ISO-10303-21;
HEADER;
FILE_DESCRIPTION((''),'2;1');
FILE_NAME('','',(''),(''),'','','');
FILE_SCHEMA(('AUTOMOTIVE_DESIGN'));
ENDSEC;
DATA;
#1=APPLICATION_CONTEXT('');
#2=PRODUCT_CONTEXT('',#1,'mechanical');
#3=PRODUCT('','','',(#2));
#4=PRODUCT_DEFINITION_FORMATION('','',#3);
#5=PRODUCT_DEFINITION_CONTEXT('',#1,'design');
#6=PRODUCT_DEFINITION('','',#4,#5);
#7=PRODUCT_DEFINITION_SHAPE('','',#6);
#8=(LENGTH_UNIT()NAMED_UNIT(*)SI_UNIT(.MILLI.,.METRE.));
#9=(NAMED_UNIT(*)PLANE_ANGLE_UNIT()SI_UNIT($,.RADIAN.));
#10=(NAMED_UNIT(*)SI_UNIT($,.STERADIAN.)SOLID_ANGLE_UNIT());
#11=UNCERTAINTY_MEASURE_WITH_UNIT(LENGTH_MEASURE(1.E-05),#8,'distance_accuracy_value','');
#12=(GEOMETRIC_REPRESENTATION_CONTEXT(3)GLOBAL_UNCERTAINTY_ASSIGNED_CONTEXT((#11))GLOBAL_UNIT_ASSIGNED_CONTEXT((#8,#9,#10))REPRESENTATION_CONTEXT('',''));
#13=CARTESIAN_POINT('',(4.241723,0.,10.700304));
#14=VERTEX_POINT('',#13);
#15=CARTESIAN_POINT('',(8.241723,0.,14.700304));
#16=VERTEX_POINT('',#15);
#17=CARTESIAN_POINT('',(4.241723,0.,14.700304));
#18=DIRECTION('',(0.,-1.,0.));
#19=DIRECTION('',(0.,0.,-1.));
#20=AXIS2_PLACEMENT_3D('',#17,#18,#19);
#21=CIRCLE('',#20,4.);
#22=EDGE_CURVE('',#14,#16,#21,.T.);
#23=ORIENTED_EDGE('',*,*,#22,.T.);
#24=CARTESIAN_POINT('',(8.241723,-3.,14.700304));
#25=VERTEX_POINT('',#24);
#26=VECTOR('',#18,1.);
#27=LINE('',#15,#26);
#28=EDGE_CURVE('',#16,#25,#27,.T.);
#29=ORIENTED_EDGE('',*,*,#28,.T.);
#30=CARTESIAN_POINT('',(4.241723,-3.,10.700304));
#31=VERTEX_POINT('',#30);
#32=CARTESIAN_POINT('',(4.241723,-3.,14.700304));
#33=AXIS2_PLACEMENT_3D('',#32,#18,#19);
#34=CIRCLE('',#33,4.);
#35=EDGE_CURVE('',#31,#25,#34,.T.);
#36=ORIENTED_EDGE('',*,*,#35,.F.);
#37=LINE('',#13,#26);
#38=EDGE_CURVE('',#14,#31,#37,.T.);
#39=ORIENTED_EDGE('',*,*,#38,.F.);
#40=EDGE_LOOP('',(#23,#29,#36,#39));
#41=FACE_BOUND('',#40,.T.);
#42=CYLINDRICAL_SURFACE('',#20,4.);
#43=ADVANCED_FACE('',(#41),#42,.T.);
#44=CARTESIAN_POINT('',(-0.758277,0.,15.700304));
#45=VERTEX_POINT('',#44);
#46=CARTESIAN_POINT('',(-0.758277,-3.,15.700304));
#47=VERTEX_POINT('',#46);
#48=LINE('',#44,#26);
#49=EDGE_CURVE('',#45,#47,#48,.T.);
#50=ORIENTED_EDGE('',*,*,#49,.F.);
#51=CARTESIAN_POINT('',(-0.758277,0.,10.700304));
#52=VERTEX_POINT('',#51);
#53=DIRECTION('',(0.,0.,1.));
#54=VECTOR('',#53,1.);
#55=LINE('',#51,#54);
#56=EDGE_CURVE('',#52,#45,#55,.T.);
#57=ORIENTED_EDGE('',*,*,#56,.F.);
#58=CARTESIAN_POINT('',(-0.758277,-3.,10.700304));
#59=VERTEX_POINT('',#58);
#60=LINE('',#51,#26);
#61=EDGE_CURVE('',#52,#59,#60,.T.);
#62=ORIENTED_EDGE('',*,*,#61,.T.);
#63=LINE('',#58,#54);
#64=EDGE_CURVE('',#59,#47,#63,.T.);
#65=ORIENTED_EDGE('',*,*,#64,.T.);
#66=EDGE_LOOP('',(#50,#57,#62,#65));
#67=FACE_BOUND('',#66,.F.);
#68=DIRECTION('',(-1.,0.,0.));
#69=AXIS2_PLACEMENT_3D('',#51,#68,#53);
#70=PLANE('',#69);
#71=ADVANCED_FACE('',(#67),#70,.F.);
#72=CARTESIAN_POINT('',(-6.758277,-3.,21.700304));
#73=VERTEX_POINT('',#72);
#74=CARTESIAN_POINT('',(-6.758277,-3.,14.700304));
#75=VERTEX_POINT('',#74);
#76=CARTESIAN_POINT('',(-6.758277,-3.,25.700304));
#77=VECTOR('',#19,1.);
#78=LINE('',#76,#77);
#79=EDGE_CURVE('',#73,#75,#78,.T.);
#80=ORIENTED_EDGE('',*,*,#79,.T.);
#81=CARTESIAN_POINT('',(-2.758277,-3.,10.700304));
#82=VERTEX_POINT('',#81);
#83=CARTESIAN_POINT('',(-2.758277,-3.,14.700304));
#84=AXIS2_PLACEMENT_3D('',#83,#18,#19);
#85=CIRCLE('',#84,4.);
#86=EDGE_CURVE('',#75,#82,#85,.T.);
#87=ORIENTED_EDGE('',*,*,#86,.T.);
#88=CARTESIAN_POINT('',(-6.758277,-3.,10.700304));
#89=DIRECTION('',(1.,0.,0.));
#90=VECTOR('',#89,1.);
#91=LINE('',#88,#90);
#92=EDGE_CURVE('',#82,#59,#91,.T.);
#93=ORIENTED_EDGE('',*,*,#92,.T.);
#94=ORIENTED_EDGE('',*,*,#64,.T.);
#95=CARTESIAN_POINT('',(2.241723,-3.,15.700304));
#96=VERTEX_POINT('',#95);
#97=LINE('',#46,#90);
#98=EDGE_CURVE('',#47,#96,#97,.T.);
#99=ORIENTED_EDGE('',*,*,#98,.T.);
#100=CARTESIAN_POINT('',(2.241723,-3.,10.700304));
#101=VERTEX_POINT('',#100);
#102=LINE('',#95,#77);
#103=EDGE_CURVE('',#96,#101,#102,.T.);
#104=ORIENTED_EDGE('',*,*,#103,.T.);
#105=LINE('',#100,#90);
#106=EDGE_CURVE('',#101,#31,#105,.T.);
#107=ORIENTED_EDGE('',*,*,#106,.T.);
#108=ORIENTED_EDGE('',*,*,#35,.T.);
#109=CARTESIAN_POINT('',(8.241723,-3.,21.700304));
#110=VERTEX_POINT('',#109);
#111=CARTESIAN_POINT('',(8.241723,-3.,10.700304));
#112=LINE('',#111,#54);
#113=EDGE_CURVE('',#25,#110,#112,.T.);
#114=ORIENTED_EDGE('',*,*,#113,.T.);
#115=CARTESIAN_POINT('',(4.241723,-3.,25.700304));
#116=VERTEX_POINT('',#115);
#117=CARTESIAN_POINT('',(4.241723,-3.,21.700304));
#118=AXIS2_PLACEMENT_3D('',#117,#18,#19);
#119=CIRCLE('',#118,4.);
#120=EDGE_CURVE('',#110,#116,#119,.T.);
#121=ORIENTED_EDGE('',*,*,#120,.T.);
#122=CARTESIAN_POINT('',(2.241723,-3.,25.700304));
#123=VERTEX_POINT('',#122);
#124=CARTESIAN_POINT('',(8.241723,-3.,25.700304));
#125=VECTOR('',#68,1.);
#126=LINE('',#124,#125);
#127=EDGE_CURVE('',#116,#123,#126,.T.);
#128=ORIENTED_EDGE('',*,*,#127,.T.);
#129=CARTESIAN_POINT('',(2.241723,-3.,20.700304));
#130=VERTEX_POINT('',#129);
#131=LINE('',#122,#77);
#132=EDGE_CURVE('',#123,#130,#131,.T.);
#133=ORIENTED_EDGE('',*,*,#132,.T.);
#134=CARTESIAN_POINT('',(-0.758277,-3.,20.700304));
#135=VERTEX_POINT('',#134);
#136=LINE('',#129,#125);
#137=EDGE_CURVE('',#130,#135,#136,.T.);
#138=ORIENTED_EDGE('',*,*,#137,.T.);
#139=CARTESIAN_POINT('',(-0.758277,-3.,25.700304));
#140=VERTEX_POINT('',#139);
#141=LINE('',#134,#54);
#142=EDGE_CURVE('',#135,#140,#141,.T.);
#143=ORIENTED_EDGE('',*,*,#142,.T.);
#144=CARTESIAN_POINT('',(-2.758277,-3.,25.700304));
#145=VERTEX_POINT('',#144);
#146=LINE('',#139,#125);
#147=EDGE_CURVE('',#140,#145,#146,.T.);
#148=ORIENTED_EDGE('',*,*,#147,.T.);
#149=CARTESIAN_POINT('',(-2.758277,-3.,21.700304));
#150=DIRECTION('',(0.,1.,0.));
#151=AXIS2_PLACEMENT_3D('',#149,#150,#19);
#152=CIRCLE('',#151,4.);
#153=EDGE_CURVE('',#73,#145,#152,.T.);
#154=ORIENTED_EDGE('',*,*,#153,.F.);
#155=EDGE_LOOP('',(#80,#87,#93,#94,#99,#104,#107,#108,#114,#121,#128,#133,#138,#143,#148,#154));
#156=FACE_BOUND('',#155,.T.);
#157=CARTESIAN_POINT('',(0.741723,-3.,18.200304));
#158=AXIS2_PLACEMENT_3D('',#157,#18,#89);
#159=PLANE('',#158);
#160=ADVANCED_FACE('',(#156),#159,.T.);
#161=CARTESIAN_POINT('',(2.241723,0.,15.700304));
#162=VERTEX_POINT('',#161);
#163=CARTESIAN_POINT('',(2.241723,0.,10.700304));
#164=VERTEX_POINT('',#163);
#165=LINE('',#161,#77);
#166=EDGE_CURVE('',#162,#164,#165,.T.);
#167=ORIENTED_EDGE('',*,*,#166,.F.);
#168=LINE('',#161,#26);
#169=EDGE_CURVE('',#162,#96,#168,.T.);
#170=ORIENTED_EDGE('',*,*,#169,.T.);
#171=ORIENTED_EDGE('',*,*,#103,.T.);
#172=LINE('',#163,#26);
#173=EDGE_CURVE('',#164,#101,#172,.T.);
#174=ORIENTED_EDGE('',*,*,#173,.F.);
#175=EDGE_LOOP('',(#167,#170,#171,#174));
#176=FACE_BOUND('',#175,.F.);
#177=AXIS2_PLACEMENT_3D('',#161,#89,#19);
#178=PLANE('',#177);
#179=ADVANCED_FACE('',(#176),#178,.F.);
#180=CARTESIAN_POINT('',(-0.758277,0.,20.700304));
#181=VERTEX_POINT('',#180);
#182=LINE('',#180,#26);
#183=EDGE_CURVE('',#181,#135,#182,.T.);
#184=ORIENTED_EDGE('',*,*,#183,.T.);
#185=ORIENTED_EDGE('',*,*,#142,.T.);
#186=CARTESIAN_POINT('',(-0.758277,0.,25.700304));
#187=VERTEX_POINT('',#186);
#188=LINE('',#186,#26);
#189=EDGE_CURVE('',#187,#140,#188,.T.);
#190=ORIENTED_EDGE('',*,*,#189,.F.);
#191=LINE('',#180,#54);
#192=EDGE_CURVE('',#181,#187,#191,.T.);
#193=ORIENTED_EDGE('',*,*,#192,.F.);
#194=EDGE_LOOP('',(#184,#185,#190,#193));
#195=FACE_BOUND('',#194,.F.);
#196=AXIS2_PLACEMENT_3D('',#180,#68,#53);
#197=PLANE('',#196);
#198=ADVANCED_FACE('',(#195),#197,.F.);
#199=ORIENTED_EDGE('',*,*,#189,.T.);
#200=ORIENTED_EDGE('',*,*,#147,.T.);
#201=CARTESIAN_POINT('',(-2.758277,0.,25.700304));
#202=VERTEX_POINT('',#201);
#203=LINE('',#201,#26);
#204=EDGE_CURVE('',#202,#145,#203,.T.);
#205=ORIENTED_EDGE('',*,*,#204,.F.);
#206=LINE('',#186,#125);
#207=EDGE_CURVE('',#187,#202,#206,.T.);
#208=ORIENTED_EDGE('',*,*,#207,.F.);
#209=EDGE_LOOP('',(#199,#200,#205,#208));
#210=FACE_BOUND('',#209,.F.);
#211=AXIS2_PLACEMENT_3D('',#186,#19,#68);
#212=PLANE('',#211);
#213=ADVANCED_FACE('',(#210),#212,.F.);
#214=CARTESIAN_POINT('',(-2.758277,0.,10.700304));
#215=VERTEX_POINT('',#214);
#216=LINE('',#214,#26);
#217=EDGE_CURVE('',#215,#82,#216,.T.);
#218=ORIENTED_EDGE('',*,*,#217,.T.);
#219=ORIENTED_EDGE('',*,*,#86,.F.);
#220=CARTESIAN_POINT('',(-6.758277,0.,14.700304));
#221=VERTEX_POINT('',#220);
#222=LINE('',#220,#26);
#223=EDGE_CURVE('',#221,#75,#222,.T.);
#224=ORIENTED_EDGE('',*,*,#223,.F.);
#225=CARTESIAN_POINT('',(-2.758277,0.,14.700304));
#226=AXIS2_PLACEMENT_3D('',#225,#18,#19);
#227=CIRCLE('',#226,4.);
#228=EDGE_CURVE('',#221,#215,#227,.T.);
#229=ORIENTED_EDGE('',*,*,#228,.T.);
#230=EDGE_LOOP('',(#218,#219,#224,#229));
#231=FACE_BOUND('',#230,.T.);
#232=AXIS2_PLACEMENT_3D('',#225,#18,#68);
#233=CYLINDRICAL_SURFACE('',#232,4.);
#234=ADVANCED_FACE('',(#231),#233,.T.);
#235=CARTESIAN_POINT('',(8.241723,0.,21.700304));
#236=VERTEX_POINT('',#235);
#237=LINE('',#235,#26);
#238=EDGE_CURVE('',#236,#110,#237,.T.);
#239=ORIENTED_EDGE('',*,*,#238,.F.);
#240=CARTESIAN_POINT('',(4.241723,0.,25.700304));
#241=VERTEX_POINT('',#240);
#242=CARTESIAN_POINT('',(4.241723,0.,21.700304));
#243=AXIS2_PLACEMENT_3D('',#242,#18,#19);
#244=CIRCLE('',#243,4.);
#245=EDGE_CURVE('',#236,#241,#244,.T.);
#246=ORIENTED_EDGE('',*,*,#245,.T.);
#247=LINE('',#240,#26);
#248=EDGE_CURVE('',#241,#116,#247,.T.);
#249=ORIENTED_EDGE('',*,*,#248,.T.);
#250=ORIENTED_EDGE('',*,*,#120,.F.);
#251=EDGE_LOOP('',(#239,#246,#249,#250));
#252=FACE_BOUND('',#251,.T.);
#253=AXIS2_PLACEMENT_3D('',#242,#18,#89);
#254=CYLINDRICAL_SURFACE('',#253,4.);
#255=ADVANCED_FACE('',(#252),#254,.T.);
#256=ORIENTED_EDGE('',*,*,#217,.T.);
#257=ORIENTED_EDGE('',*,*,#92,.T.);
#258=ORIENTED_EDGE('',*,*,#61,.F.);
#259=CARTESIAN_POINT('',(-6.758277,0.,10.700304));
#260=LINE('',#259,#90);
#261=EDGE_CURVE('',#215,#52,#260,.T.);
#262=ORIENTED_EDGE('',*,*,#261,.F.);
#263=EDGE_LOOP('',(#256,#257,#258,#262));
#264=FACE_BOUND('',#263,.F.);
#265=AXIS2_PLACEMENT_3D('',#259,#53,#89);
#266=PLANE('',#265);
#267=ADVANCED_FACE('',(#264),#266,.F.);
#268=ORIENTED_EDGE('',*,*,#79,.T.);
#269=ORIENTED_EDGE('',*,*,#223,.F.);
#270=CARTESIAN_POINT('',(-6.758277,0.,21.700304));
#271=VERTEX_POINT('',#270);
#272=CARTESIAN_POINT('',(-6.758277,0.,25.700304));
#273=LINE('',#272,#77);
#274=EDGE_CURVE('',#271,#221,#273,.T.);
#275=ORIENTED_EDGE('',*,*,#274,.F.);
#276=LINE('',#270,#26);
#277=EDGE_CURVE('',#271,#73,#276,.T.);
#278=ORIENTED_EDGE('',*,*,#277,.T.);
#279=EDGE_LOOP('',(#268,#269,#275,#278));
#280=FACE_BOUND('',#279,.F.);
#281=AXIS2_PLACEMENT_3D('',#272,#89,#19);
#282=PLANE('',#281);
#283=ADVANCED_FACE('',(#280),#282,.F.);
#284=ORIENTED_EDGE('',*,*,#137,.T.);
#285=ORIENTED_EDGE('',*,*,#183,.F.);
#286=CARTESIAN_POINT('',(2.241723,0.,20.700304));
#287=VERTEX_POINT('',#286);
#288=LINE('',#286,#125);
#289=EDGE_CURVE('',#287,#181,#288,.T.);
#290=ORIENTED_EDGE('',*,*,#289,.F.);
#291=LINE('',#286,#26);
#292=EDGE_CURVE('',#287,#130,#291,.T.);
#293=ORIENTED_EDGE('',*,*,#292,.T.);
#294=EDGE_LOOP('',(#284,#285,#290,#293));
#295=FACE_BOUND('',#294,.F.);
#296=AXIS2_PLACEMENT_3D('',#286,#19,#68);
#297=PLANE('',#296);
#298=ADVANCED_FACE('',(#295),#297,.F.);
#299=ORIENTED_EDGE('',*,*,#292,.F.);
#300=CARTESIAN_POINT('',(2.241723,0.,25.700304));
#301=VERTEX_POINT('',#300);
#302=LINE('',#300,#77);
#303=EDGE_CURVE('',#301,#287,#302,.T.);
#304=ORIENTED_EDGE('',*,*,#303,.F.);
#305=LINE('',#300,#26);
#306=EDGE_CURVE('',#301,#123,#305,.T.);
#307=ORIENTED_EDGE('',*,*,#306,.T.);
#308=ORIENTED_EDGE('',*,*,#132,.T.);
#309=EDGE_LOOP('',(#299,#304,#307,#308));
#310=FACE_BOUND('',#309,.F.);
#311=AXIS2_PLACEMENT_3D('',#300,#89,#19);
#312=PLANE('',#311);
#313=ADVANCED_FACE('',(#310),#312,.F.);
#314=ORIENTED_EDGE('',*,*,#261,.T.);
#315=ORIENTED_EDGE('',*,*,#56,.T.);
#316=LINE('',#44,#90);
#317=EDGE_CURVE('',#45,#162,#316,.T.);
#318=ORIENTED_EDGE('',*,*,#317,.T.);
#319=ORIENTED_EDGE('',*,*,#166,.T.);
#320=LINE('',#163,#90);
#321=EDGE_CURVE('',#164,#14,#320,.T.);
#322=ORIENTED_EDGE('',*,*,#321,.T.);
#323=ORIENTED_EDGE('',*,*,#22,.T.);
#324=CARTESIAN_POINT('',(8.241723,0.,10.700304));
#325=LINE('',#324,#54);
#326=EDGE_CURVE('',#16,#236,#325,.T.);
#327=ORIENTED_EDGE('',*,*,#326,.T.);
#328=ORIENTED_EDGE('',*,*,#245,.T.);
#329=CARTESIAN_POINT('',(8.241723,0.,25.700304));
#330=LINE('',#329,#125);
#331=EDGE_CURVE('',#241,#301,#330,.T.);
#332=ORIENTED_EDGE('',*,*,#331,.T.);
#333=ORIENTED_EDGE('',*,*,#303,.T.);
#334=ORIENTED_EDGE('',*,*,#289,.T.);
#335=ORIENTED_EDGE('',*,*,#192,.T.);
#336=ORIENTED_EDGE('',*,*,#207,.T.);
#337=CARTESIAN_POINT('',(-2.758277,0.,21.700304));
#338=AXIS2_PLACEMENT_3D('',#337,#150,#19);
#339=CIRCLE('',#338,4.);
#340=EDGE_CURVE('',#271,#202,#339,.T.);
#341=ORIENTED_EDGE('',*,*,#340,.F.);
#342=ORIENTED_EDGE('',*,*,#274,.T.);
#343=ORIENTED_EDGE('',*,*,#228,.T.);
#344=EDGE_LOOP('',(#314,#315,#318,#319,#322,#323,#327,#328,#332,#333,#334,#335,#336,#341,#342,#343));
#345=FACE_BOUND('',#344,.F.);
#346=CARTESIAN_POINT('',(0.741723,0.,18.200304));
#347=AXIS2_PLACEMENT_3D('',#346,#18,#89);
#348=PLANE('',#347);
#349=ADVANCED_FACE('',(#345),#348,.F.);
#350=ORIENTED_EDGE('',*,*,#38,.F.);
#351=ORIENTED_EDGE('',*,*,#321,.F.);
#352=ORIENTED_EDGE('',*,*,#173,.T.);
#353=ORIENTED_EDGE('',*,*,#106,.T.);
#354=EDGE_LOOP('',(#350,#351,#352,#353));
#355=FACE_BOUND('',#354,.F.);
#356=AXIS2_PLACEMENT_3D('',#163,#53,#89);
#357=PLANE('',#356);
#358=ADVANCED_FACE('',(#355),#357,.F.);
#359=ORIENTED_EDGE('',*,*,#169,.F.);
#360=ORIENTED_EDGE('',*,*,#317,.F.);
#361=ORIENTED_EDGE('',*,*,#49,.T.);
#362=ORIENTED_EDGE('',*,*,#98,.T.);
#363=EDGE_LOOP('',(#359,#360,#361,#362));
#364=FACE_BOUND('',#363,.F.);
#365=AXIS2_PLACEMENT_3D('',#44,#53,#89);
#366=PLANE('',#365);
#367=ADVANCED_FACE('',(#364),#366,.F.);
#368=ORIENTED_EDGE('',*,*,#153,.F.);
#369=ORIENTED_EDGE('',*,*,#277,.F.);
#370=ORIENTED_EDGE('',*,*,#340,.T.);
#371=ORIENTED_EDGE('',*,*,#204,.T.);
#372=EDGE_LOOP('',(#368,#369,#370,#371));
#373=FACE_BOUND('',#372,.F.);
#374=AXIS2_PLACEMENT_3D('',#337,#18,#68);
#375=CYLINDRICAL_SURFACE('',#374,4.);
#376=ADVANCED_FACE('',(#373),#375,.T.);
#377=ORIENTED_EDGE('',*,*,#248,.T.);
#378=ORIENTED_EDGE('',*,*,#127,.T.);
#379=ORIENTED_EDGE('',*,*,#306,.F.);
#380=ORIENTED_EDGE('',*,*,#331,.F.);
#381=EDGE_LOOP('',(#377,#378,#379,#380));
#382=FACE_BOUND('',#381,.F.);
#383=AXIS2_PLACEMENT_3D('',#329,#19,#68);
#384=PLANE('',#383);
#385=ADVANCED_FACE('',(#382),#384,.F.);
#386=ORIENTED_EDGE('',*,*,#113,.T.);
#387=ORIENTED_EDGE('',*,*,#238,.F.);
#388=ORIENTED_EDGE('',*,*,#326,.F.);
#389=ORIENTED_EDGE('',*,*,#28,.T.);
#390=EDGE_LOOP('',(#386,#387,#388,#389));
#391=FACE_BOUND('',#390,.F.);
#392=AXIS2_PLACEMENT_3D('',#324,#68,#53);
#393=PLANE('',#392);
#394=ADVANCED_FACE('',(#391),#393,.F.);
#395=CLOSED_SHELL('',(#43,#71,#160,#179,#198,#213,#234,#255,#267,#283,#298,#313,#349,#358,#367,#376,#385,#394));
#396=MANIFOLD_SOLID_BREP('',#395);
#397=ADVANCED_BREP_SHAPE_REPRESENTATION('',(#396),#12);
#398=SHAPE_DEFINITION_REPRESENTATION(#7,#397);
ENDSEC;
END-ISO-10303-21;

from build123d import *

# Parameters (mm, degrees)
F1_DEPTH = 3
F2_R     = 4


with BuildPart() as f1:
    # F0 (on Front) → F1 (new body)
    with BuildSketch(Plane.XZ):
        Polygon((-6.758277, 25.700304), (-6.758277, 10.700304), (-0.758277, 10.700304), (-0.758277, 15.700304), (2.241723, 15.700304), (2.241723, 10.700304), (8.241723, 10.700304), (8.241723, 25.700304), (2.241723, 25.700304), (2.241723, 20.700304), (-0.758277, 20.700304), (-0.758277, 25.700304), align=None)
    extrude(amount=F1_DEPTH)

    # F2
    f2_edges = [f1.edges().sort_by_distance(p)[0] for p in [
        (8.241723, -1.5, 25.700304),
        (-6.758277, -1.5, 10.700304),
        (-6.758277, -1.5, 25.700304),
        (8.241723, -1.5, 10.700304),
    ]]
    fillet(f2_edges, radius=F2_R)


solid = f1.part
